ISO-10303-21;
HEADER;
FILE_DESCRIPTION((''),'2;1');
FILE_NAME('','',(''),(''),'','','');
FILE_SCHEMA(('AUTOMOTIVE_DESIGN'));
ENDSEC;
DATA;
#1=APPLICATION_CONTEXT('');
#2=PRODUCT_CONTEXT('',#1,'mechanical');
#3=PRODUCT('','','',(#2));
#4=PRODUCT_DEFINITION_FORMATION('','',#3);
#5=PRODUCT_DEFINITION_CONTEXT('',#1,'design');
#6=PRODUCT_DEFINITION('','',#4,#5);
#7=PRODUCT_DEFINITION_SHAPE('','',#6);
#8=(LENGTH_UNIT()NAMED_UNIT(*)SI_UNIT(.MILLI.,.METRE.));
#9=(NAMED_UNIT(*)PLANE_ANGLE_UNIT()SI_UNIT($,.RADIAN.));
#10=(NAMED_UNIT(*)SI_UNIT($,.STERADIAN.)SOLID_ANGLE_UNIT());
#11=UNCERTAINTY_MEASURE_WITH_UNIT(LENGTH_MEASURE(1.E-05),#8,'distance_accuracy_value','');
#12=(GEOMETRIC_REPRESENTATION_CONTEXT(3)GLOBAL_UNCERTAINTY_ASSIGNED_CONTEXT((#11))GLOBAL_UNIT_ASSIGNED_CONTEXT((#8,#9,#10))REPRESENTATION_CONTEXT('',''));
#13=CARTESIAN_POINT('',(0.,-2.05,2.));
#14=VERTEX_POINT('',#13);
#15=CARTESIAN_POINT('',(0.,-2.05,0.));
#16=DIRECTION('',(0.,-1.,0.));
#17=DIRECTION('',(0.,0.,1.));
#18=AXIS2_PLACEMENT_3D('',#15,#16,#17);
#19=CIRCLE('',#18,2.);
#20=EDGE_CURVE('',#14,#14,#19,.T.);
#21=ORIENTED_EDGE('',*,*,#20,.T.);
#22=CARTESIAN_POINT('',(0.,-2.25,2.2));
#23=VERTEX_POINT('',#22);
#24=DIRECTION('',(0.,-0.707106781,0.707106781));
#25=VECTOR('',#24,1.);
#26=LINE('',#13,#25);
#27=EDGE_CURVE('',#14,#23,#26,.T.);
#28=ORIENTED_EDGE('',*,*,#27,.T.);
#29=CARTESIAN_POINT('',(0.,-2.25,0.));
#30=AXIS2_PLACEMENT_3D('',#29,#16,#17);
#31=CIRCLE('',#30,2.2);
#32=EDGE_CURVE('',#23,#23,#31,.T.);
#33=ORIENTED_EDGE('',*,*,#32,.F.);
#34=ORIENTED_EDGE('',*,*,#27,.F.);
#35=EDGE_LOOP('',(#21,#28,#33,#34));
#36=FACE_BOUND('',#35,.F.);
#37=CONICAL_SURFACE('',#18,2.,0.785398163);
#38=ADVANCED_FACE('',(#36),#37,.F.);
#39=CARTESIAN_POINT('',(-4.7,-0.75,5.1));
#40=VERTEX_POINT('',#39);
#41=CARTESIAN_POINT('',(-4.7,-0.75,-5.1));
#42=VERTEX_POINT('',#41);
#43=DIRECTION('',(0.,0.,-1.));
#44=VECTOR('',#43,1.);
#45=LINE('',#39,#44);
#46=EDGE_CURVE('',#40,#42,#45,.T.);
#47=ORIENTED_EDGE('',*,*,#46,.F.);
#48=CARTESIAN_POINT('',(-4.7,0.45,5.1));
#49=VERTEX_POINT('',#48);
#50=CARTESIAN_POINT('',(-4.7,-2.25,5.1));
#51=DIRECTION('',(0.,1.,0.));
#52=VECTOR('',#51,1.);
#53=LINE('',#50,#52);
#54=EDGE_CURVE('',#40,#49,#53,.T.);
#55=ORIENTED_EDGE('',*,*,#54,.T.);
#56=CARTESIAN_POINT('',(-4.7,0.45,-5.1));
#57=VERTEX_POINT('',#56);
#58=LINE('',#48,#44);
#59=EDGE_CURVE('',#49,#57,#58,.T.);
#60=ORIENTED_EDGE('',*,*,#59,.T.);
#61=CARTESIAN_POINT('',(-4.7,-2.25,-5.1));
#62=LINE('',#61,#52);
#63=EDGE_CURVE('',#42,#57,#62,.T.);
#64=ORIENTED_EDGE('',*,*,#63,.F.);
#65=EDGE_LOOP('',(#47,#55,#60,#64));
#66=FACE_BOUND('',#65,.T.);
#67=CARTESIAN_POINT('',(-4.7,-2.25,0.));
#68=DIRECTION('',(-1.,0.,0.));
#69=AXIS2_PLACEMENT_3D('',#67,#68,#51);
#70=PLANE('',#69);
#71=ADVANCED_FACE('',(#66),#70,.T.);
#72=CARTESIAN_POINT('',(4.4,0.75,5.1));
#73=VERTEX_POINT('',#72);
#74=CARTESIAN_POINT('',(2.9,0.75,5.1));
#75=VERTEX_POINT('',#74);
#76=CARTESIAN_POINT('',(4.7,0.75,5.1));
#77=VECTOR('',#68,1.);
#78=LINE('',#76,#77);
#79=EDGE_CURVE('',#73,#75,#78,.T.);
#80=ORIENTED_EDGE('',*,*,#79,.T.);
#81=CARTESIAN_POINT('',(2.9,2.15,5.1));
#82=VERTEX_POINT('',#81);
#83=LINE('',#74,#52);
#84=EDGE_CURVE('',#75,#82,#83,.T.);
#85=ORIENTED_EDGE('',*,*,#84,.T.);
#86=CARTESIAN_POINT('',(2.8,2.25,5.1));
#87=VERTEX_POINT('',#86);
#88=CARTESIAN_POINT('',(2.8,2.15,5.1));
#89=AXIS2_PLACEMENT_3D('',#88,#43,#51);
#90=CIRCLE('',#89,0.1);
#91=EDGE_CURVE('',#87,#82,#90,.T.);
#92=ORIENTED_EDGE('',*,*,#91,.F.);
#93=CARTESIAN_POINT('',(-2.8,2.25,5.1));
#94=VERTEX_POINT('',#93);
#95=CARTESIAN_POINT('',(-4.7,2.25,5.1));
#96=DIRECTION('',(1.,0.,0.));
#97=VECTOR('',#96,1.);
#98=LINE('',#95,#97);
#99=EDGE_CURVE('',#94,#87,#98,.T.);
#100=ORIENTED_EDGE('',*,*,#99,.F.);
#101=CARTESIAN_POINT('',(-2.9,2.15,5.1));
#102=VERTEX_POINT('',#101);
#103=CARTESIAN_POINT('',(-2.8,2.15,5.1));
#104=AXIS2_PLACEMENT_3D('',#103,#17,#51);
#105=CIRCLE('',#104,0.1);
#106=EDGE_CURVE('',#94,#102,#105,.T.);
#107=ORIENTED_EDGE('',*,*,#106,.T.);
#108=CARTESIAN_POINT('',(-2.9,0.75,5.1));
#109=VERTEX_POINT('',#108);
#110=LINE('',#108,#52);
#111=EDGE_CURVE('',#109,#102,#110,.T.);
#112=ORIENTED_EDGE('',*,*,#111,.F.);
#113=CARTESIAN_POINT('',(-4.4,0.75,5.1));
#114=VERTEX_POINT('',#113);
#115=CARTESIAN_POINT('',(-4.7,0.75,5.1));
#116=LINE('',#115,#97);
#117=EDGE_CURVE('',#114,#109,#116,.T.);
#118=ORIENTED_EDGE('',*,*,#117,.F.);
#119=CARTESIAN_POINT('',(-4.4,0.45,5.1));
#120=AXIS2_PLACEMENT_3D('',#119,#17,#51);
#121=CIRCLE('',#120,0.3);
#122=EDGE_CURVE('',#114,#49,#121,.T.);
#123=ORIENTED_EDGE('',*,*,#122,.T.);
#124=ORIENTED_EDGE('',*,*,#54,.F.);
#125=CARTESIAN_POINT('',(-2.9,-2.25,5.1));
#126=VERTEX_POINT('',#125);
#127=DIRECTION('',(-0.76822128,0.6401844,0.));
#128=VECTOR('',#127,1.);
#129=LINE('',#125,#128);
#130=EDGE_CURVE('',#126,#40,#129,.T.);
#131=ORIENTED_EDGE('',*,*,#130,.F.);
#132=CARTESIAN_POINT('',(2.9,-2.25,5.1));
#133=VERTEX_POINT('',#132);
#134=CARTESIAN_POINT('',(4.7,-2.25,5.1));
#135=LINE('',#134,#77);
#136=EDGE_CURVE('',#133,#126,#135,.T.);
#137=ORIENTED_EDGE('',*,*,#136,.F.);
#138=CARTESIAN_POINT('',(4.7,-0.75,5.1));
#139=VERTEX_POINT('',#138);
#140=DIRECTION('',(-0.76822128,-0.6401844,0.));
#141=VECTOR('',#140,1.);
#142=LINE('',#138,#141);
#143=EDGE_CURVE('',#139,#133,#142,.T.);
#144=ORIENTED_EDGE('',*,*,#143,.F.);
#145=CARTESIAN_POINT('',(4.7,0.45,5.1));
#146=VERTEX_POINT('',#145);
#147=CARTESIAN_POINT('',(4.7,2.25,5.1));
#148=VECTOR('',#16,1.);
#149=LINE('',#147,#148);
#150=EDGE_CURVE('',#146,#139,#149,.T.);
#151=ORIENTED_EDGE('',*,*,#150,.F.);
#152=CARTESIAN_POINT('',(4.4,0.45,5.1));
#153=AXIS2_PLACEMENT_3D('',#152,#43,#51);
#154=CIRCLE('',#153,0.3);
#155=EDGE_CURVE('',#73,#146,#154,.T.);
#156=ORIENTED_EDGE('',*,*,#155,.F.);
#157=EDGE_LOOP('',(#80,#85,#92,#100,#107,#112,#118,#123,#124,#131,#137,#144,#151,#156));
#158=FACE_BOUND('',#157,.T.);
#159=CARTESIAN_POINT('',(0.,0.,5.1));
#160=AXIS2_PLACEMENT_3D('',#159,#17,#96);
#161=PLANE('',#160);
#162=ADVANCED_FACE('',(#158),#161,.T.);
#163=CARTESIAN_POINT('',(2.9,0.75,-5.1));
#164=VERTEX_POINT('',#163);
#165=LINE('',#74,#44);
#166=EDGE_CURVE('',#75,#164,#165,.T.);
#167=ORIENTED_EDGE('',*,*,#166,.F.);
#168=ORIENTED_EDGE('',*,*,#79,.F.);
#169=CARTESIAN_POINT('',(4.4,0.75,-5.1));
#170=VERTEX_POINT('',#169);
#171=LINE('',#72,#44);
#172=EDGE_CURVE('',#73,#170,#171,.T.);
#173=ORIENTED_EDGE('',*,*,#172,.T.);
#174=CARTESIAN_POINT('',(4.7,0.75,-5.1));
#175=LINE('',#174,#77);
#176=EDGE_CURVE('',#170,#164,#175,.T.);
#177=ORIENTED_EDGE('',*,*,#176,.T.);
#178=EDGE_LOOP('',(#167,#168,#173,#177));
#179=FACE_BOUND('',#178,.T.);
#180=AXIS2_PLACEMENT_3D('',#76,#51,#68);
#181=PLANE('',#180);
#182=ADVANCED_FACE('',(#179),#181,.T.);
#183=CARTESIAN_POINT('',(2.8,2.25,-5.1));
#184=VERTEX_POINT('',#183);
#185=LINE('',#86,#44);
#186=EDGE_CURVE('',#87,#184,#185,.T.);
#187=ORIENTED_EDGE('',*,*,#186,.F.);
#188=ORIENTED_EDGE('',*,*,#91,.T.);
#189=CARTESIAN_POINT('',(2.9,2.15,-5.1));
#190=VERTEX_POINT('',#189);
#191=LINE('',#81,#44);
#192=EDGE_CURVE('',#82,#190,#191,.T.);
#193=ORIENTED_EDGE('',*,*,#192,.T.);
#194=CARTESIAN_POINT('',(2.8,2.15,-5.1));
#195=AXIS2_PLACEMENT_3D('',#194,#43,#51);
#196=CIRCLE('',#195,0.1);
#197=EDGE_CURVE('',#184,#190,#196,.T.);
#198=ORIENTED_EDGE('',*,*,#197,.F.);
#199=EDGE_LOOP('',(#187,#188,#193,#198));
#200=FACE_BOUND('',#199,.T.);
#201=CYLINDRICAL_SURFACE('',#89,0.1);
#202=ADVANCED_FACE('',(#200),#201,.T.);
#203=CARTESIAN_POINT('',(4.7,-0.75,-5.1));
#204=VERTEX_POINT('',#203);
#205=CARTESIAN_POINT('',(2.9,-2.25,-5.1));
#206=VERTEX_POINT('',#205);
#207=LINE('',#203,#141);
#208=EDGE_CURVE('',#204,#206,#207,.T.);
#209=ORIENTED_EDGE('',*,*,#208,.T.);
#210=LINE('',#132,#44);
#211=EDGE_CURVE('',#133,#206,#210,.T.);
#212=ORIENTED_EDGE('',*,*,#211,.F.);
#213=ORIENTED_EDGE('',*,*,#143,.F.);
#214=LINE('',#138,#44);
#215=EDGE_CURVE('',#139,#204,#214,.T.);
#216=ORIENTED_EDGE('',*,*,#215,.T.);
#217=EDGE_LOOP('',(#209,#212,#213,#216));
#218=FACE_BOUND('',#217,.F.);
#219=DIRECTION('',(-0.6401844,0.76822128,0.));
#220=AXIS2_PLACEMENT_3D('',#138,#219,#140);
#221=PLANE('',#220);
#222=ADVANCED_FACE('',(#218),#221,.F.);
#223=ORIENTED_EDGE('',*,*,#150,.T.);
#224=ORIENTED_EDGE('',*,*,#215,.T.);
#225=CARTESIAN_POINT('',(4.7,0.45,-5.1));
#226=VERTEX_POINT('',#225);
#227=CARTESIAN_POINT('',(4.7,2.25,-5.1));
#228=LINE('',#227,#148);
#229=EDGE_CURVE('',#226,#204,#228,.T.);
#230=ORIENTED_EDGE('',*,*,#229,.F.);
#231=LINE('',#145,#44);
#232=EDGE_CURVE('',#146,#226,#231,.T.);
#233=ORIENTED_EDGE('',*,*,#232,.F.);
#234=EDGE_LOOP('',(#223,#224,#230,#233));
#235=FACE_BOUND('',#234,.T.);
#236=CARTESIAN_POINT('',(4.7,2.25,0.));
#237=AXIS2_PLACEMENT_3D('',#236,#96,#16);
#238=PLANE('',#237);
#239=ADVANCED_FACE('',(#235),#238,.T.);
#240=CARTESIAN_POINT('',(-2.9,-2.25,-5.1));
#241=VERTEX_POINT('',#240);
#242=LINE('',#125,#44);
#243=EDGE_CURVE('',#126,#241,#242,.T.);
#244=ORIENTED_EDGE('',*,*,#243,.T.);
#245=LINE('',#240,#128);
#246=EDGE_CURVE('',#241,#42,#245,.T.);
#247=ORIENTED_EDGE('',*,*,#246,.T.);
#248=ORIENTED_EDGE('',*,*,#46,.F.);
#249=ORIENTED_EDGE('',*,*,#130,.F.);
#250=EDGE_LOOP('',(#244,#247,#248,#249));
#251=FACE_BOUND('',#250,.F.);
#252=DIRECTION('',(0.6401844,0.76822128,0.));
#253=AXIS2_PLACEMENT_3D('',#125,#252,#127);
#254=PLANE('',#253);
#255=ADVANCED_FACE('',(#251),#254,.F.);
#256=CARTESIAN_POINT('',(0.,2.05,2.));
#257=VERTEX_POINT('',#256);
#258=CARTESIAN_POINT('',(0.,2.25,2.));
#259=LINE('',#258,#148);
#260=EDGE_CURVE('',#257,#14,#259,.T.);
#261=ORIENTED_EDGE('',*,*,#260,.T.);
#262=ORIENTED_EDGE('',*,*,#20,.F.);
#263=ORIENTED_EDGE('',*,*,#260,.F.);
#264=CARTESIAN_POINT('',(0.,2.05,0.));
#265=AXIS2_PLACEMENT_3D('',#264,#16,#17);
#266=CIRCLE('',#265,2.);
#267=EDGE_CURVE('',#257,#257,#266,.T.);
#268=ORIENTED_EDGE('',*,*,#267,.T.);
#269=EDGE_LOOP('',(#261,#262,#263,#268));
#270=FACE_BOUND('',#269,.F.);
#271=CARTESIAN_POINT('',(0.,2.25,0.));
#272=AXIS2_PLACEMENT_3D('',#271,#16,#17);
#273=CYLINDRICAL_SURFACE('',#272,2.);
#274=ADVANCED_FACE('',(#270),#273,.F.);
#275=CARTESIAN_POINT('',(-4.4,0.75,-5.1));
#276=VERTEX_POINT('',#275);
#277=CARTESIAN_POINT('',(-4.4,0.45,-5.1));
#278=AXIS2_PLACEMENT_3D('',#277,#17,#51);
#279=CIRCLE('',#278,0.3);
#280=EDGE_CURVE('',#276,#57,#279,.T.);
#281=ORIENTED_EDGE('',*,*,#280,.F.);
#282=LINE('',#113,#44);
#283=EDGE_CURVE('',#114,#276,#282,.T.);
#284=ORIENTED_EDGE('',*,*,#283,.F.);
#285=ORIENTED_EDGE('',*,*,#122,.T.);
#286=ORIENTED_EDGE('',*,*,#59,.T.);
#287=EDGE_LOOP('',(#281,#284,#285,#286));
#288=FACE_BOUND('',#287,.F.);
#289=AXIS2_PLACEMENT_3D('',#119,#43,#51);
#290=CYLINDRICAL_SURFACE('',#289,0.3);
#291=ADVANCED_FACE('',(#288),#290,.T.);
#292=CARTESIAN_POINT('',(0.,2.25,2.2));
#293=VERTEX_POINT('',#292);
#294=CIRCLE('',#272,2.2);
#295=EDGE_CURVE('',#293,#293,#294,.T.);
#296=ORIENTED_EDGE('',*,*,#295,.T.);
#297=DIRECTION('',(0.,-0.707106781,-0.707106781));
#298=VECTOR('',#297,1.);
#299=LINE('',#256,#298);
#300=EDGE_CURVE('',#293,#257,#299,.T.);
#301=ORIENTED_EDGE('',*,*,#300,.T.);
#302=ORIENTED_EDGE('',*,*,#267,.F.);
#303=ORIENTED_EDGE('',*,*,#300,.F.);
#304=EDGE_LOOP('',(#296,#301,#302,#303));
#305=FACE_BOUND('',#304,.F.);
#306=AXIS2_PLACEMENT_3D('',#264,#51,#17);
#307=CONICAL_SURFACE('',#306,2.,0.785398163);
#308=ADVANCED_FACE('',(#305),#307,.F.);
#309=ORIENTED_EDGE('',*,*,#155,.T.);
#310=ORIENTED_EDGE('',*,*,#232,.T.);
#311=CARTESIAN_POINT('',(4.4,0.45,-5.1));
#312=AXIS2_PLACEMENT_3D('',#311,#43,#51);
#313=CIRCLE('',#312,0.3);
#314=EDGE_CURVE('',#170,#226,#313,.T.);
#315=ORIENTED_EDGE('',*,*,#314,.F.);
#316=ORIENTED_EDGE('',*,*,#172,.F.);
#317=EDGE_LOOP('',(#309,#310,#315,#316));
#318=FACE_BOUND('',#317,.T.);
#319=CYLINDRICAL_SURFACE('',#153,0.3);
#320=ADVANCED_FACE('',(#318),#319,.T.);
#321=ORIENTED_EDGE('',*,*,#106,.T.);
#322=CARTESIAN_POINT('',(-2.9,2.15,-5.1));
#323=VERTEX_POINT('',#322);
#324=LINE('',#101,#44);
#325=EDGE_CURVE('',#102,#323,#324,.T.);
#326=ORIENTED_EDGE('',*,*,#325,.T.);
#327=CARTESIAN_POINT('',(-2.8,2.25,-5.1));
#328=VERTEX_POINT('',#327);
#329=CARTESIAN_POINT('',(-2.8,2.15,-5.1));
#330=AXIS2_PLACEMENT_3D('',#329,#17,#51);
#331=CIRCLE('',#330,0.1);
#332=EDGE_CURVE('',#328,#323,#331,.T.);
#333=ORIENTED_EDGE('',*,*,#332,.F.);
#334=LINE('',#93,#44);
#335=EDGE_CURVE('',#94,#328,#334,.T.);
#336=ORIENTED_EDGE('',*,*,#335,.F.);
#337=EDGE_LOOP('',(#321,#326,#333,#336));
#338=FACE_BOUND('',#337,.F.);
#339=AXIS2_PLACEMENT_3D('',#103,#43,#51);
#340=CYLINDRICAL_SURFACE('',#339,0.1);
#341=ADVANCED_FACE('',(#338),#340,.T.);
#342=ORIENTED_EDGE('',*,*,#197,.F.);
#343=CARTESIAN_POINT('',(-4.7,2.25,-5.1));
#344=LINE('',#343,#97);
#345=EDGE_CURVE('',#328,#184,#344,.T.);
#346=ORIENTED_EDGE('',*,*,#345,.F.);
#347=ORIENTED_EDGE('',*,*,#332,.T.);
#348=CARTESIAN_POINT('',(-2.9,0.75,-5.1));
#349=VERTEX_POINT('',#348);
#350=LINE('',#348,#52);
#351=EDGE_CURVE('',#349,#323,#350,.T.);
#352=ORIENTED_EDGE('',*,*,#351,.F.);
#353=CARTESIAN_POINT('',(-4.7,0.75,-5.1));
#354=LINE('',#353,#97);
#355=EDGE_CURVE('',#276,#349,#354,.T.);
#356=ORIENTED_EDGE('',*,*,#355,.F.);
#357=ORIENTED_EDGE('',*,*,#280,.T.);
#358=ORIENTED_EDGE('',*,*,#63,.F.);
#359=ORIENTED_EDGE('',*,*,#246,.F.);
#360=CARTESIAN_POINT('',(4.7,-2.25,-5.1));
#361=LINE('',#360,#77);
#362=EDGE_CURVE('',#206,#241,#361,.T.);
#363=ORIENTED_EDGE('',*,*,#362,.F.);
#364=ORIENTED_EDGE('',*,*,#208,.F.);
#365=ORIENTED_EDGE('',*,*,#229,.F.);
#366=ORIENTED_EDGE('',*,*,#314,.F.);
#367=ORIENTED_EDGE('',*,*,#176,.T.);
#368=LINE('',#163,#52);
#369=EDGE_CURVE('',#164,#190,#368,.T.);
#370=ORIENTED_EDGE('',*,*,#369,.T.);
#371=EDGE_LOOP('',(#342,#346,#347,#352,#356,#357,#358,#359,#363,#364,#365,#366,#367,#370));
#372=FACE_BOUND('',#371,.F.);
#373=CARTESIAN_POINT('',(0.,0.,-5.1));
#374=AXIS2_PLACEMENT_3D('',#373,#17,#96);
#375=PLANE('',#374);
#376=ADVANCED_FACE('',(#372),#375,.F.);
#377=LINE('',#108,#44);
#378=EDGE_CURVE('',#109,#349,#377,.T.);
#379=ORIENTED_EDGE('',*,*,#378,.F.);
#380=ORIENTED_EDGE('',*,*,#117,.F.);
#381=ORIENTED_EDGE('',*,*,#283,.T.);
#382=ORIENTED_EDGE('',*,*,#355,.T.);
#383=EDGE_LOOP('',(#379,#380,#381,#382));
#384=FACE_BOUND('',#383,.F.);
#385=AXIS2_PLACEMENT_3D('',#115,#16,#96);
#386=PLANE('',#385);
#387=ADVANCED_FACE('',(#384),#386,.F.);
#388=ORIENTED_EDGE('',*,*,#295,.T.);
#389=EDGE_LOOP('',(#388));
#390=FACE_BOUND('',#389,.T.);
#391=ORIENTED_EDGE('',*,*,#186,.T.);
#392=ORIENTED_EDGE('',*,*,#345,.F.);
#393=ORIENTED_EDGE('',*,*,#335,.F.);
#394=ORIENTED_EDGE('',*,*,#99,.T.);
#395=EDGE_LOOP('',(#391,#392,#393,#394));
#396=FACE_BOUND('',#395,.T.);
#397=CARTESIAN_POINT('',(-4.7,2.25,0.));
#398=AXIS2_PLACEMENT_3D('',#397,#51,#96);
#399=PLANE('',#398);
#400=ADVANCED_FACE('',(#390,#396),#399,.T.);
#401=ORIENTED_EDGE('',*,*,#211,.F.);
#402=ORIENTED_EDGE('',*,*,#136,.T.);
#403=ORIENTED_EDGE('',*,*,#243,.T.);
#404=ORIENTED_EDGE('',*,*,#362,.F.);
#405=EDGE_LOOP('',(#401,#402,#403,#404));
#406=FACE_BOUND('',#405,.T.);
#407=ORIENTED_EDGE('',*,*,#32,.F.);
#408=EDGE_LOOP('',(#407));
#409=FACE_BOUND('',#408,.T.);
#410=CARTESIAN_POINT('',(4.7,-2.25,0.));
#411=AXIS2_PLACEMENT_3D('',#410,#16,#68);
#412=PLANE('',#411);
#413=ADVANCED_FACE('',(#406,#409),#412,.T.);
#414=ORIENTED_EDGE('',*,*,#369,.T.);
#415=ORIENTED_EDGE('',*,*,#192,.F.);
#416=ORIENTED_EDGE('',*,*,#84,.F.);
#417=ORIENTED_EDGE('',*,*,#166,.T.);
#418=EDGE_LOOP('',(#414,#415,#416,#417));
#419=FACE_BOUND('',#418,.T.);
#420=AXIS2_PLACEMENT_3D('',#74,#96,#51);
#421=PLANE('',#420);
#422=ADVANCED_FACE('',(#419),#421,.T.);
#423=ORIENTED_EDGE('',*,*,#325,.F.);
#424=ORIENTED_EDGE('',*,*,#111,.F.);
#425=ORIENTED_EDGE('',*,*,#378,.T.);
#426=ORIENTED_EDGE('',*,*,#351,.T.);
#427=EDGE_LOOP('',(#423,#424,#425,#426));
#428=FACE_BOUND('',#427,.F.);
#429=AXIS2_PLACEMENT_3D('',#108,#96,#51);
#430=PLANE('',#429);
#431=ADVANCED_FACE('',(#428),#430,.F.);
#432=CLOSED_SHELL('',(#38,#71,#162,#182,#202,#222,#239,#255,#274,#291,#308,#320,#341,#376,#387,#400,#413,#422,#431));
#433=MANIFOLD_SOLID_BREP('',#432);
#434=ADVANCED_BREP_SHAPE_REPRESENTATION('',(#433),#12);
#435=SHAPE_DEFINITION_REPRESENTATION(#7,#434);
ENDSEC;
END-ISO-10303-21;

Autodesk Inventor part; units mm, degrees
ref_plane "YZ Plane" through (0, 0, 0) normal (1, 0, 0) x (0, 1, 0)
ref_plane "XZ Plane" through (0, 0, 0) normal (0, 1, 0) x (-1, 0, 0)
ref_plane "XY Plane" through (0, 0, 0) normal (0, 0, 1) x (1, 0, 0)
sketch "Эскиз1" plane through (0, 0, 0) normal (0, 0, 1) x (1, 0, 0)
  line L0 (-4.7, 2.25) -> (4.7, 2.25)
  line L1 (4.7, 2.25) -> (4.7, -2.25)
  line L2 (4.7, -2.25) -> (-4.7, -2.25)
  line L3 (-4.7, -2.25) -> (-4.7, 2.25)
  point P0 (0, 0)
  point P1 (-4.7, 0)
  point P2 (0, 2.25)
  dimension "d0" = 9.4
  dimension "d1" = 4.5
extrude "Выдавливание1" add sketch "Эскиз1" along normal mid plane 10.2
sketch "Эскиз3" plane through (0, 0, 5.1) normal (0, 0, 1) x (1, 0, 0)
  line L0 (-4.7, 2.25) -> (-4.7, -2.25) projected
  line L1 (-4.7, 0.75) -> (-2.9, 0.75)
  line L2 (-2.9, 0.75) -> (-2.9, 2.25)
  line L3 (4.7, 2.25) -> (-4.7, 2.25) projected
  line L4 (4.7, -2.25) -> (4.7, 2.25) projected
  line L5 (4.7, 0.75) -> (2.9, 0.75)
  line L6 (2.9, 0.75) -> (2.9, 2.25)
  point P0 (0, 0)
  dimension "d7" = 1.5
  dimension "d8" = 2.9
  dimension "d9" = 5.8
extrude "Выдавливание2" cut sketch "Эскиз3" against normal blind 10.2
sketch "Эскиз5" plane through (0, 0, 5.1) normal (0, 0, 1) x (1, 0, 0)
  line L0 (-4.7, -2.25) -> (4.7, -2.25) projected
  line L1 (-2.9, -2.25) -> (-4.7, -0.75)
  line L2 (-4.7, 0.75) -> (-4.7, -2.25) projected
  line L3 (4.7, -2.25) -> (4.7, 0.75) projected
  line L4 (4.7, -0.75) -> (2.9, -2.25)
  point P0 (0, 0)
  dimension "d15" = 1.5
  dimension "d16" = 2.9
  dimension "d17" = 5.8
extrude "Выдавливание3" cut sketch "Эскиз5" against normal blind 10.2
sketch "Эскиз6" plane through (-2.9, 2.25, -5.1) normal (0, 1, 0) x (1, 0, 0)
  point P0 (2.9, -5.1)
  point P1 (2.9, -5.1)
hole "Отверстие1" at (0, 2.25, 0) direction (0, -1, 0) diameter 4 end through all
thread "Резьба1" size "M4x0.7" class "6H" standard "ANSI Metric M Profile" full length
chamfer "Фаска1" distance 0.2 angle 45 2 edges at (0, 2.25, -2) (0, -2.25, -2)
fillet "Сопряжение2" radius 0.1 2 edges at (2.9, 2.25, 0) (-2.9, 2.25, 0)
fillet "Сопряжение3" radius 0.3 2 edges at (-4.7, 0.75, 0) (4.7, 0.75, 0)
properties part number "COTS_GENERIC_20x20_M4_Nut" material "Сталь"
